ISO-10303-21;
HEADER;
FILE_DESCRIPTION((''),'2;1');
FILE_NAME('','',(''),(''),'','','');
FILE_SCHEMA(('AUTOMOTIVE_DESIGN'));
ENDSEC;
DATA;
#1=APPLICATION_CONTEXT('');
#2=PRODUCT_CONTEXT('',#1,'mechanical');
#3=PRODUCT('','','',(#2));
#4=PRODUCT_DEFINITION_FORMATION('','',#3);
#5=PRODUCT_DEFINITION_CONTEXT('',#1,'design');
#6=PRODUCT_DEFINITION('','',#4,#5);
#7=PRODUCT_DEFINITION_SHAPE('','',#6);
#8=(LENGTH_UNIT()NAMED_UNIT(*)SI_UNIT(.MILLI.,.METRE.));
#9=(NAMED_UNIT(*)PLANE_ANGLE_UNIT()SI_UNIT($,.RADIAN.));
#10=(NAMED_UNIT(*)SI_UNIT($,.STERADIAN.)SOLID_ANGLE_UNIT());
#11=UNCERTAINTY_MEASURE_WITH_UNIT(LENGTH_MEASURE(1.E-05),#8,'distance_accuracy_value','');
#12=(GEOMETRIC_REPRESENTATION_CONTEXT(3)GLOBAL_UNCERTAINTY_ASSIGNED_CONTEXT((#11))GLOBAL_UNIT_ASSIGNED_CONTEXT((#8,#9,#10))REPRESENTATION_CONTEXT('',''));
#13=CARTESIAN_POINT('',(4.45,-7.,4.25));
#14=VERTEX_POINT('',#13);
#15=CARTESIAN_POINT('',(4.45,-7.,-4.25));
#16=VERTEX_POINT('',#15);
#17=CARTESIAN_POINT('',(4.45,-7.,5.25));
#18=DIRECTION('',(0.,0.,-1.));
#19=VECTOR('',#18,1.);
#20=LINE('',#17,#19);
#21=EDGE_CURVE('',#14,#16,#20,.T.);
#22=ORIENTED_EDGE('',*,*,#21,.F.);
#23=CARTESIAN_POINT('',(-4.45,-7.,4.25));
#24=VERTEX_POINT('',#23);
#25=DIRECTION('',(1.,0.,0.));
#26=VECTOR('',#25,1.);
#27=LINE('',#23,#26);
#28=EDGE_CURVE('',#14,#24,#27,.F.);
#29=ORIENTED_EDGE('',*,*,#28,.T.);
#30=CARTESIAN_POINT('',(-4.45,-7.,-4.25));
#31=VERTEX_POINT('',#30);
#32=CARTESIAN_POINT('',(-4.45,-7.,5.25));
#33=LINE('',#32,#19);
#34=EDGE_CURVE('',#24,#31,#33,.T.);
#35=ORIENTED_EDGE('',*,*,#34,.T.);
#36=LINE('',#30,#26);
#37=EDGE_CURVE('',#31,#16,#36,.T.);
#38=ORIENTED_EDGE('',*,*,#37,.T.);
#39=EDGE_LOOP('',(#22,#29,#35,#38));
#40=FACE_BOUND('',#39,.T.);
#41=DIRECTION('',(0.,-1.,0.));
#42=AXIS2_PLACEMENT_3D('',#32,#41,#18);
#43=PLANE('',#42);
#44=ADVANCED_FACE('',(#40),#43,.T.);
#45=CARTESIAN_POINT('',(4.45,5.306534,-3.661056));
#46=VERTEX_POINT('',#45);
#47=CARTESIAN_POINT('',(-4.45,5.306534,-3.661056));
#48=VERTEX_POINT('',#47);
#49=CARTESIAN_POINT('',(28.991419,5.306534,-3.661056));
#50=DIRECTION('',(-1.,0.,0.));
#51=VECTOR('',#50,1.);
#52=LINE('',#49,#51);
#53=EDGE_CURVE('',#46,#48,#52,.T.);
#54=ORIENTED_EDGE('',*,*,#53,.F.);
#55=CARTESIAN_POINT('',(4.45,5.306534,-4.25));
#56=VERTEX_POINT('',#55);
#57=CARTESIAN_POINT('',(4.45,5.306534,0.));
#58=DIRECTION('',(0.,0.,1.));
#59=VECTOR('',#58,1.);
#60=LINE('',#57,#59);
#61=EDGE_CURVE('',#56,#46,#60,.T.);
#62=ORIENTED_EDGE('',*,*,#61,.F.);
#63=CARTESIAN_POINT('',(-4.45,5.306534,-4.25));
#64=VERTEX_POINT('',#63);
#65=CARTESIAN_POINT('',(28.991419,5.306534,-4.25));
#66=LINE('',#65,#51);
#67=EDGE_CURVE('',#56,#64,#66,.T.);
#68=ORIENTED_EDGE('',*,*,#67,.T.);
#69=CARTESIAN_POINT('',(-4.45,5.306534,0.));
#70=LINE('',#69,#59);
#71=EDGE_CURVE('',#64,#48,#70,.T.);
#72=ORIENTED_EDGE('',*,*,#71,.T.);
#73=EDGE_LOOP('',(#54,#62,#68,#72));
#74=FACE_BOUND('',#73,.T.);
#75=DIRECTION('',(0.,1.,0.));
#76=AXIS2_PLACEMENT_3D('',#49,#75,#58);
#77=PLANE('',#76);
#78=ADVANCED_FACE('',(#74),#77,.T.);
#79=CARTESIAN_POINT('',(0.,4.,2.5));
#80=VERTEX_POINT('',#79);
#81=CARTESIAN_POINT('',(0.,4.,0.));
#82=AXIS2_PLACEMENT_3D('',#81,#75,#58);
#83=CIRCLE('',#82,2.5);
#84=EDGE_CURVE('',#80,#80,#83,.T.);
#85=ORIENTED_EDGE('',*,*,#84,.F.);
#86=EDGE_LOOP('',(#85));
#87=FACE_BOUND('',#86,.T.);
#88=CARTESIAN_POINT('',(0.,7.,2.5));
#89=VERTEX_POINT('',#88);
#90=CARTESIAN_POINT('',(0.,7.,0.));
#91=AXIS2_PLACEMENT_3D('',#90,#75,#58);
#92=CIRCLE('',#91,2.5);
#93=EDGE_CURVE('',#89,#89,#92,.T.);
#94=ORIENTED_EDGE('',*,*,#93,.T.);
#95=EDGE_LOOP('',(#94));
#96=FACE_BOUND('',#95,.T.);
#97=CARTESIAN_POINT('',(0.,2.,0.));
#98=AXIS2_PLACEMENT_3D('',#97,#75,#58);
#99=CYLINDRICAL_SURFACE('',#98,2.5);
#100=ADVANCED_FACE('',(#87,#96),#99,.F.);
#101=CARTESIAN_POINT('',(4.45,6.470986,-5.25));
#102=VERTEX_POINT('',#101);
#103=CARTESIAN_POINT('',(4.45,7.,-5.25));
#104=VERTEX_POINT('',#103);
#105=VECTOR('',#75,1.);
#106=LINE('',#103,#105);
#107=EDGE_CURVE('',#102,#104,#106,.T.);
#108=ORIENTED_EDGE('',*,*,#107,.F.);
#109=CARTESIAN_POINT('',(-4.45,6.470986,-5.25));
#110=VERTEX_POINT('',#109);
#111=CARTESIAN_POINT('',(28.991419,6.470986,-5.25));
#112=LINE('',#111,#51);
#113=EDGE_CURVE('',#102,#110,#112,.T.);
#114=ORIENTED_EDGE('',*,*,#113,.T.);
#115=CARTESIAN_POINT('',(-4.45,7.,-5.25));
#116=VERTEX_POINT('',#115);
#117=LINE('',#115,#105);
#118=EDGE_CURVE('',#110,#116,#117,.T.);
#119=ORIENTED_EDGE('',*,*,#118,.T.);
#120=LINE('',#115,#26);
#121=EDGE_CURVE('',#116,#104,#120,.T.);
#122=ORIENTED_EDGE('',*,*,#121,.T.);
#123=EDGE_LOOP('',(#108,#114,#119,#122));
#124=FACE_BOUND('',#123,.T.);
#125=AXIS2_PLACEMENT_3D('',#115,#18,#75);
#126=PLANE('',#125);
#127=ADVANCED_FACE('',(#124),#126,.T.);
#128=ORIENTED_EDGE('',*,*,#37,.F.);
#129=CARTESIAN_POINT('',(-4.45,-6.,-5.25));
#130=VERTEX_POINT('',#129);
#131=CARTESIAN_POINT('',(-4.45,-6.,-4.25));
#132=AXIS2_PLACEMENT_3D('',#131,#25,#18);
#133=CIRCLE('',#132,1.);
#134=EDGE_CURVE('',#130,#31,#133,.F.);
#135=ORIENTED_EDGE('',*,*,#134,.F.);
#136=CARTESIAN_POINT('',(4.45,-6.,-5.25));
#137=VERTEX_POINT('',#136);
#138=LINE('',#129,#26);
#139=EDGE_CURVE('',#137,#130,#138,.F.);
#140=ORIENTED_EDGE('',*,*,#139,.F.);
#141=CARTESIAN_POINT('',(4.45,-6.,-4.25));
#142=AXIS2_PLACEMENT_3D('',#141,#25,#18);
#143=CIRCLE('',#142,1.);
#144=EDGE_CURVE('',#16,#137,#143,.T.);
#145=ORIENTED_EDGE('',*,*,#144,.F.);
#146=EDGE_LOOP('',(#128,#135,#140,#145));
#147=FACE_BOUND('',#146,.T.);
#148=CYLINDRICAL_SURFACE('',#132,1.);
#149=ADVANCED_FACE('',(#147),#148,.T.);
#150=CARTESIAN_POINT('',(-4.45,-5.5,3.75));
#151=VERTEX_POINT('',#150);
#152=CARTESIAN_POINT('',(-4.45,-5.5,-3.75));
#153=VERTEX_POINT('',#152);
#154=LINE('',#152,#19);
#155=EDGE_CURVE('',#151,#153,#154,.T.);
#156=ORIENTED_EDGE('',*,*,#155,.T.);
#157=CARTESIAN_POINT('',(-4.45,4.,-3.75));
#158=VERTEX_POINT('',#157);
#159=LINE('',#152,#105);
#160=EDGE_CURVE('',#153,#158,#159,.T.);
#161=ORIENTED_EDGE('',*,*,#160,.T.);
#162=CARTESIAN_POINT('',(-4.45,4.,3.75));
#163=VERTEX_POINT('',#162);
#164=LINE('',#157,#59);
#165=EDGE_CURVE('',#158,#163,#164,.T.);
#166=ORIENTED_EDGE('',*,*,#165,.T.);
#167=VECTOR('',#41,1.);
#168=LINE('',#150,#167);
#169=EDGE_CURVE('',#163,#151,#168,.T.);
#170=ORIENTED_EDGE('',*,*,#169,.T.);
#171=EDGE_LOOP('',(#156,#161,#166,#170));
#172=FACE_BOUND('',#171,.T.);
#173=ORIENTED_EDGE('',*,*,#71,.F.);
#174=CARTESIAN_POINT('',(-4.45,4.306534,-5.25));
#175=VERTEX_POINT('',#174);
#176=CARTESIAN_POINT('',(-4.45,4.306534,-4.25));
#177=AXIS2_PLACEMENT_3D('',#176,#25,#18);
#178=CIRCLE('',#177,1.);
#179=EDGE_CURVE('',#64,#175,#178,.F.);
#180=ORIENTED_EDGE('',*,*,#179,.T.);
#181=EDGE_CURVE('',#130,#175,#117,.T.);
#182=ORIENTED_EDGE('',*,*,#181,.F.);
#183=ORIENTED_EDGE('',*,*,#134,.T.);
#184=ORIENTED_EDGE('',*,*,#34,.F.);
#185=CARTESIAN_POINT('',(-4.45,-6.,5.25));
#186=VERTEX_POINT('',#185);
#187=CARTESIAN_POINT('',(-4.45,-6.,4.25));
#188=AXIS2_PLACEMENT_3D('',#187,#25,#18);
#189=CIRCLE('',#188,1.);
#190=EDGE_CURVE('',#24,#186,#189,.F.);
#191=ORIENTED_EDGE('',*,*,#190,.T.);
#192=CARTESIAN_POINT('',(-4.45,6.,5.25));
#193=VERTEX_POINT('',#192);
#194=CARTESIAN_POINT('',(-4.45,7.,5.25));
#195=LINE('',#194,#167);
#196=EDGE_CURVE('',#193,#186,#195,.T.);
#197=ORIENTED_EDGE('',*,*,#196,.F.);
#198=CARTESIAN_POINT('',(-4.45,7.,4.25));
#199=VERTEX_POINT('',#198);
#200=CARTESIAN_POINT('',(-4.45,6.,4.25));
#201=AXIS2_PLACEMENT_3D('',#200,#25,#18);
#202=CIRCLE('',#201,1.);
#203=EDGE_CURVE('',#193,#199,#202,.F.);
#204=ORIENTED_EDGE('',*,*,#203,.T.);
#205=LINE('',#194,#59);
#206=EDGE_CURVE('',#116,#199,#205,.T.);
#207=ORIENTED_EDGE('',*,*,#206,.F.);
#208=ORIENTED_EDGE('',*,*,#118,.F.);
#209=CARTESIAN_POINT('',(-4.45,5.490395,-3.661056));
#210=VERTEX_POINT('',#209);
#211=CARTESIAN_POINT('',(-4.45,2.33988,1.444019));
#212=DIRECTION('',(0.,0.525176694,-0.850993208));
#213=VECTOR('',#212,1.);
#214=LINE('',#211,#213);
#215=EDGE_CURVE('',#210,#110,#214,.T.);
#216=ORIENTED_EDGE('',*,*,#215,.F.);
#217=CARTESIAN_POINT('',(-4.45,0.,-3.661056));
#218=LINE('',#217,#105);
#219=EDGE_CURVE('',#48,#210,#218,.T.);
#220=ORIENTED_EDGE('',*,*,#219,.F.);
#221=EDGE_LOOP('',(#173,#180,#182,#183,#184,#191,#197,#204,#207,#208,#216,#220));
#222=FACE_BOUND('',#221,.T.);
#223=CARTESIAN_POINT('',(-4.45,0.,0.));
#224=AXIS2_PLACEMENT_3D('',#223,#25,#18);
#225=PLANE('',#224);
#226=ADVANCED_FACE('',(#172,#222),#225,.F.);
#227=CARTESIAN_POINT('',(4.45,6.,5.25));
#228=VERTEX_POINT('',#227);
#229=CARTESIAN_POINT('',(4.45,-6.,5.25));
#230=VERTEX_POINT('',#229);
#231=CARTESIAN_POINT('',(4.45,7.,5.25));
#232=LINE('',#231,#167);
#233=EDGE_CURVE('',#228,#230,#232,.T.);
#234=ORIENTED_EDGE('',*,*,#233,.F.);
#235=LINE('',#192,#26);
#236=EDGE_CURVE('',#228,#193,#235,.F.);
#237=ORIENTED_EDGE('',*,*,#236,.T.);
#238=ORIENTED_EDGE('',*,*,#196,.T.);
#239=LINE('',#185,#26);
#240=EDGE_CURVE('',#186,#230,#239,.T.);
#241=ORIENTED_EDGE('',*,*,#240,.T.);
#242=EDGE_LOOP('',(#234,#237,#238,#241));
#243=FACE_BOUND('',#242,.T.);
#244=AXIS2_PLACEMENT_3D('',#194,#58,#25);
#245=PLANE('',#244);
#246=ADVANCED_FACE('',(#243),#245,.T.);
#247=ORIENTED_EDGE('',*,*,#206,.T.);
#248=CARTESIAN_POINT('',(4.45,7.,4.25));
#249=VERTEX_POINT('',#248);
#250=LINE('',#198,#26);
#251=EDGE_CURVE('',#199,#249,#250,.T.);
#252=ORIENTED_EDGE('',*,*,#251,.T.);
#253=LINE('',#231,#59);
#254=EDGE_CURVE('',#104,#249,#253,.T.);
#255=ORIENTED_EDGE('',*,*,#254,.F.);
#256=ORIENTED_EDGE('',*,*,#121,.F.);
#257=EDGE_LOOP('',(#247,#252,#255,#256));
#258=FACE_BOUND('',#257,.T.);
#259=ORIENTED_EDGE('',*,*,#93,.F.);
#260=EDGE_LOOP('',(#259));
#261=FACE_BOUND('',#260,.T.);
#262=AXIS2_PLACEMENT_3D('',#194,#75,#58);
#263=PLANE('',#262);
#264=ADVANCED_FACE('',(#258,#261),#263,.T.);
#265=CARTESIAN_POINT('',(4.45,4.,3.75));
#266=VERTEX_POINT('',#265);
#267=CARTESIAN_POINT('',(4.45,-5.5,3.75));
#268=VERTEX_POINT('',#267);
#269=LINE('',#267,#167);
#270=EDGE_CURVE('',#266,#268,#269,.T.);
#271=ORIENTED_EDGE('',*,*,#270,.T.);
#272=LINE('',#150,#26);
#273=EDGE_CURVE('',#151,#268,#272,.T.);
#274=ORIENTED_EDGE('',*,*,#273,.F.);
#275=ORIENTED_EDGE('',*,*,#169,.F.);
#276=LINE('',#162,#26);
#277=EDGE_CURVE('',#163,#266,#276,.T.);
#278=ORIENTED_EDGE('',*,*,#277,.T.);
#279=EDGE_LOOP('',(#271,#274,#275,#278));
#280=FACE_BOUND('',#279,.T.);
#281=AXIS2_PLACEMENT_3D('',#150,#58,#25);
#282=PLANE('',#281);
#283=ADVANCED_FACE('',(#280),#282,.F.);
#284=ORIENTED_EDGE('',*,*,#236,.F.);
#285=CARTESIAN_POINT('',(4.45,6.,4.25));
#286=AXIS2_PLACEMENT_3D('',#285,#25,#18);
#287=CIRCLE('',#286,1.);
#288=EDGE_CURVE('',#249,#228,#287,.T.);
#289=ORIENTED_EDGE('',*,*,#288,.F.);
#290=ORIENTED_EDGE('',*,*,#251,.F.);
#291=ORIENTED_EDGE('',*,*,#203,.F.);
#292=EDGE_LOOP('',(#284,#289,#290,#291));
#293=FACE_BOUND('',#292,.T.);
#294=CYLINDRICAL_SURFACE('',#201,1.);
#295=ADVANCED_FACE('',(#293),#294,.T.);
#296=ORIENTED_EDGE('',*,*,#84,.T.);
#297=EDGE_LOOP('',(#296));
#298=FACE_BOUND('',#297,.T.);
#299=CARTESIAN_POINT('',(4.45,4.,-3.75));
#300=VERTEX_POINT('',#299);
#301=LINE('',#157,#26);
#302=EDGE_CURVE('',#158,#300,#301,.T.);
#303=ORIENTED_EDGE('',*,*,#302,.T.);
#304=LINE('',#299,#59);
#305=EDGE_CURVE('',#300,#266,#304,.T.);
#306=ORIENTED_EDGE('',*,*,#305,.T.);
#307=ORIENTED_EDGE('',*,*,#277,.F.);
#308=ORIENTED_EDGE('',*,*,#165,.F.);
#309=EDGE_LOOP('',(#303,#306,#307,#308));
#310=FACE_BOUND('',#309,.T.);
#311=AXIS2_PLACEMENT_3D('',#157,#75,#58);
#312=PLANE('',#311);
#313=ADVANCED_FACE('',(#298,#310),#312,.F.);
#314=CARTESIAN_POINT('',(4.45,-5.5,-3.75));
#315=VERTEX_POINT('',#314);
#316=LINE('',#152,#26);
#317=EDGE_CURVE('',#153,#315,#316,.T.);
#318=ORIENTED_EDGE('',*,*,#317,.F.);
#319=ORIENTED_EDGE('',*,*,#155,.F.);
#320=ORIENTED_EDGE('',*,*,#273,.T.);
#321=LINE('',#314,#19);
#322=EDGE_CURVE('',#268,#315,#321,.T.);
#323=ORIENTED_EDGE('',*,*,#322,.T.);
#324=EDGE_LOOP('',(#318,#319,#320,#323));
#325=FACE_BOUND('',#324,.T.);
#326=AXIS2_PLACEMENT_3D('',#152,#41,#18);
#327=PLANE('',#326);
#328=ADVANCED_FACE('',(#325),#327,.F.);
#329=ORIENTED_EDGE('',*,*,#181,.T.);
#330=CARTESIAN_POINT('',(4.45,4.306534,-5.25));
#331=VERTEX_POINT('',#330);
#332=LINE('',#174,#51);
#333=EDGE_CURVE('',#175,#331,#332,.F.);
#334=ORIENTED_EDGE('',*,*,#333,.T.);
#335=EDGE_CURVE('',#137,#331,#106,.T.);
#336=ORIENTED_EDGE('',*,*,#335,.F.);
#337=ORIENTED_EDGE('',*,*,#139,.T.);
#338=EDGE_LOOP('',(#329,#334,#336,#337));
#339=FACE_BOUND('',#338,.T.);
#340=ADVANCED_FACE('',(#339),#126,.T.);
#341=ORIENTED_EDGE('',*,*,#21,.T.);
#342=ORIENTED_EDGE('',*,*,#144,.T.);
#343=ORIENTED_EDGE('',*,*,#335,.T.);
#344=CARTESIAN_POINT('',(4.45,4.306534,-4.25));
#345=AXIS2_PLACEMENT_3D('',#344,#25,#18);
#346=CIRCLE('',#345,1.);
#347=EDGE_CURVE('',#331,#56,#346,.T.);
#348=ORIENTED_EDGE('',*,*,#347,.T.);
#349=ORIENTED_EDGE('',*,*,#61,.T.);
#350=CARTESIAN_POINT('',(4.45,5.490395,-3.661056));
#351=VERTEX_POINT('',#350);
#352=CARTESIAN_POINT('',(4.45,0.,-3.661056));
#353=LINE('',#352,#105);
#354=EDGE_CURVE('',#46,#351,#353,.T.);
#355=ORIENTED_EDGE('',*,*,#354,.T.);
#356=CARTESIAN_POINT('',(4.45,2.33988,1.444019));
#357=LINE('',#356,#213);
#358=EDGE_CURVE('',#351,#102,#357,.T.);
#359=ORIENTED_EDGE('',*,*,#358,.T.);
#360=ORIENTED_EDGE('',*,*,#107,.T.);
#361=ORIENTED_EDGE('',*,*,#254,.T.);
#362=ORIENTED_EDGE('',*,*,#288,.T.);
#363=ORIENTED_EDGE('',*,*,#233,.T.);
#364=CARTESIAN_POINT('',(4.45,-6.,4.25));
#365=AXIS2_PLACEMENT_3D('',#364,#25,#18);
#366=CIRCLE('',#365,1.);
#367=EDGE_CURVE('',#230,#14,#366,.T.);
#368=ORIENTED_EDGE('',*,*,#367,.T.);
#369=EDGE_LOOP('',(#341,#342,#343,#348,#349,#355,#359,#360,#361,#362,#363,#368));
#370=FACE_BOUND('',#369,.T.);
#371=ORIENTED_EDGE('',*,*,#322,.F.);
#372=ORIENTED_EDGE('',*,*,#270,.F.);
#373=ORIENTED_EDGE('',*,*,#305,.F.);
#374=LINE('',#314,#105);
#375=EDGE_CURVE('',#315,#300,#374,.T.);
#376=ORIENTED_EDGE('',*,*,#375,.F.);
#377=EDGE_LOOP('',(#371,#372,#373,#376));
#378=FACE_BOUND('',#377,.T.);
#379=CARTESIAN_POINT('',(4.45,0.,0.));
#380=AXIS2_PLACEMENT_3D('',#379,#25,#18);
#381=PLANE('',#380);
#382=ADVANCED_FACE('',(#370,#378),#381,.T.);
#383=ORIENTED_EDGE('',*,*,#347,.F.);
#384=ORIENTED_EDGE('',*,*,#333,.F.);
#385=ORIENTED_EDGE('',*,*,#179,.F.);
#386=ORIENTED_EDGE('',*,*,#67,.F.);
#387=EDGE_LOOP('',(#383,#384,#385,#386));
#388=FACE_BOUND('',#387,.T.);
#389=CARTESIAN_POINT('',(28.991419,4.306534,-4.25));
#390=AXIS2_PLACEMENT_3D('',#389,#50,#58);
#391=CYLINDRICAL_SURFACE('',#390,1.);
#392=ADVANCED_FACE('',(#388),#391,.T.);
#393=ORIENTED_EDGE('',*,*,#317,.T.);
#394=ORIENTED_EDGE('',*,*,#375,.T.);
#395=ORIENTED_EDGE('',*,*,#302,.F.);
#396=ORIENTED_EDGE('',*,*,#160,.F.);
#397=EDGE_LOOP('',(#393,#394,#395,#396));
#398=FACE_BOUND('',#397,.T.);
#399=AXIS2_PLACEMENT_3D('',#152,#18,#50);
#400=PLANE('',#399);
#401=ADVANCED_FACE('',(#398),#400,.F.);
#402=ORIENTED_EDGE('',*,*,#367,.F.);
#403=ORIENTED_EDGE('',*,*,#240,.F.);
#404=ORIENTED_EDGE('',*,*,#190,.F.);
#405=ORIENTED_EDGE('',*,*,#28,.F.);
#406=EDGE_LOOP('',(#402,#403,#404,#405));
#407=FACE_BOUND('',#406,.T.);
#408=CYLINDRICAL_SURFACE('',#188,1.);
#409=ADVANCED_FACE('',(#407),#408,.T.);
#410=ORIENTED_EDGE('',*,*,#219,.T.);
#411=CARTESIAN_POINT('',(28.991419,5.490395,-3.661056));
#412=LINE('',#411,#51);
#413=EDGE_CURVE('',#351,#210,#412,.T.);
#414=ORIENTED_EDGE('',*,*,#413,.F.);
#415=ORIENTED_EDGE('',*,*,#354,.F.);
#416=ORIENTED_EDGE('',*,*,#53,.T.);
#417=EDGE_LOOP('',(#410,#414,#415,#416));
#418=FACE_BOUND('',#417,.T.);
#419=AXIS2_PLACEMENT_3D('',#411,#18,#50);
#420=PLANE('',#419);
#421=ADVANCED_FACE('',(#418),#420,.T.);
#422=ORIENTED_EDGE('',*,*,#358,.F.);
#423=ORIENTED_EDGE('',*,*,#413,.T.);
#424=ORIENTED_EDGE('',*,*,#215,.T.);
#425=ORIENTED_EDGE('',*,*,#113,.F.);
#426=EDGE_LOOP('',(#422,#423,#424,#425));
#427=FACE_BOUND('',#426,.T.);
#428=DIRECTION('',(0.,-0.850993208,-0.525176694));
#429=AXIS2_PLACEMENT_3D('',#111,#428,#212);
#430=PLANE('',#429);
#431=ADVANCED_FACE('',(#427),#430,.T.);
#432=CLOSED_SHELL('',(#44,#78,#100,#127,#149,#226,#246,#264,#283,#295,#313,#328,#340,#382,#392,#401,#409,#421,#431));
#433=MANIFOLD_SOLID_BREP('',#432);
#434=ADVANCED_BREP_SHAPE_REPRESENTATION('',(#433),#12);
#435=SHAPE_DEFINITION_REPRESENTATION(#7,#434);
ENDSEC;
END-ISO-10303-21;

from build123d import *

# Parameters (mm, degrees)
EXTRUDE_1_DEPTH          = 4.45
EXTRUDE_1_DEPTH_BACK     = 4.45
SKETCH_1_W               = 10.5
SKETCH_1_H               = 14
SKETCH_1_W_2             = 7.5
SKETCH_1_H_2             = 9.5
SKETCH_2_R               = 2.5
CUT_EXTRUDE_1_DEPTH      = 5
CUT_EXTRUDE_2_DEPTH      = 13.480885385
CUT_EXTRUDE_2_DEPTH_BACK = 13.480885385
FILLET_1_R               = 1


with BuildPart() as part:
    # 草图1 → 凸台-拉伸1 (new, two sides: drawn at the far end of the back side and taken through both)
    with BuildSketch(Plane(origin=(0, 0, 0), x_dir=(0, 0, -1), z_dir=(1, 0, 0)).offset(-EXTRUDE_1_DEPTH_BACK)):
        Rectangle(SKETCH_1_W, SKETCH_1_H)
        with Locations((0, -0.75)):
            Rectangle(SKETCH_1_W_2, SKETCH_1_H_2, mode=Mode.SUBTRACT)
    extrude(amount=EXTRUDE_1_DEPTH + EXTRUDE_1_DEPTH_BACK)

    # 草图2 → 切除-拉伸1 (cut)
    with BuildSketch(Plane(origin=(0, 7, 0), x_dir=(1, 0, 0), z_dir=(0, 1, 0))):
        Circle(SKETCH_2_R)
    extrude(amount=-CUT_EXTRUDE_1_DEPTH, mode=Mode.SUBTRACT)

    # 草图3 → 切除-拉伸2 (cut, two sides: drawn at the far end of the back side and taken through both)
    with BuildSketch(Plane(origin=(4.45, 0, 0), x_dir=(0, 0, -1), z_dir=(1, 0, 0)).offset(-CUT_EXTRUDE_2_DEPTH_BACK)):
        Polygon((42.829414647, 29.662513803), (5.25, 6.470985869), (3.661056498, 5.490395087), (3.661056498, 5.306534315), (5.25, 5.306534315), (49.409476594, 5.306534315), (134.671683999, 28.341149153), (128.091622051, 52.697128641), align=None)
    extrude(amount=CUT_EXTRUDE_2_DEPTH + CUT_EXTRUDE_2_DEPTH_BACK, mode=Mode.SUBTRACT)

    # 圆角1
    fillet_1_edges = [part.edges().sort_by_distance(p)[0] for p in [
        (0, -7, -5.25),
        (0, -7, 5.25),
        (0, 7, 5.25),
        (0, 5.306534315, -5.25),
    ]]
    fillet(fillet_1_edges, radius=FILLET_1_R)


solid = part.part
